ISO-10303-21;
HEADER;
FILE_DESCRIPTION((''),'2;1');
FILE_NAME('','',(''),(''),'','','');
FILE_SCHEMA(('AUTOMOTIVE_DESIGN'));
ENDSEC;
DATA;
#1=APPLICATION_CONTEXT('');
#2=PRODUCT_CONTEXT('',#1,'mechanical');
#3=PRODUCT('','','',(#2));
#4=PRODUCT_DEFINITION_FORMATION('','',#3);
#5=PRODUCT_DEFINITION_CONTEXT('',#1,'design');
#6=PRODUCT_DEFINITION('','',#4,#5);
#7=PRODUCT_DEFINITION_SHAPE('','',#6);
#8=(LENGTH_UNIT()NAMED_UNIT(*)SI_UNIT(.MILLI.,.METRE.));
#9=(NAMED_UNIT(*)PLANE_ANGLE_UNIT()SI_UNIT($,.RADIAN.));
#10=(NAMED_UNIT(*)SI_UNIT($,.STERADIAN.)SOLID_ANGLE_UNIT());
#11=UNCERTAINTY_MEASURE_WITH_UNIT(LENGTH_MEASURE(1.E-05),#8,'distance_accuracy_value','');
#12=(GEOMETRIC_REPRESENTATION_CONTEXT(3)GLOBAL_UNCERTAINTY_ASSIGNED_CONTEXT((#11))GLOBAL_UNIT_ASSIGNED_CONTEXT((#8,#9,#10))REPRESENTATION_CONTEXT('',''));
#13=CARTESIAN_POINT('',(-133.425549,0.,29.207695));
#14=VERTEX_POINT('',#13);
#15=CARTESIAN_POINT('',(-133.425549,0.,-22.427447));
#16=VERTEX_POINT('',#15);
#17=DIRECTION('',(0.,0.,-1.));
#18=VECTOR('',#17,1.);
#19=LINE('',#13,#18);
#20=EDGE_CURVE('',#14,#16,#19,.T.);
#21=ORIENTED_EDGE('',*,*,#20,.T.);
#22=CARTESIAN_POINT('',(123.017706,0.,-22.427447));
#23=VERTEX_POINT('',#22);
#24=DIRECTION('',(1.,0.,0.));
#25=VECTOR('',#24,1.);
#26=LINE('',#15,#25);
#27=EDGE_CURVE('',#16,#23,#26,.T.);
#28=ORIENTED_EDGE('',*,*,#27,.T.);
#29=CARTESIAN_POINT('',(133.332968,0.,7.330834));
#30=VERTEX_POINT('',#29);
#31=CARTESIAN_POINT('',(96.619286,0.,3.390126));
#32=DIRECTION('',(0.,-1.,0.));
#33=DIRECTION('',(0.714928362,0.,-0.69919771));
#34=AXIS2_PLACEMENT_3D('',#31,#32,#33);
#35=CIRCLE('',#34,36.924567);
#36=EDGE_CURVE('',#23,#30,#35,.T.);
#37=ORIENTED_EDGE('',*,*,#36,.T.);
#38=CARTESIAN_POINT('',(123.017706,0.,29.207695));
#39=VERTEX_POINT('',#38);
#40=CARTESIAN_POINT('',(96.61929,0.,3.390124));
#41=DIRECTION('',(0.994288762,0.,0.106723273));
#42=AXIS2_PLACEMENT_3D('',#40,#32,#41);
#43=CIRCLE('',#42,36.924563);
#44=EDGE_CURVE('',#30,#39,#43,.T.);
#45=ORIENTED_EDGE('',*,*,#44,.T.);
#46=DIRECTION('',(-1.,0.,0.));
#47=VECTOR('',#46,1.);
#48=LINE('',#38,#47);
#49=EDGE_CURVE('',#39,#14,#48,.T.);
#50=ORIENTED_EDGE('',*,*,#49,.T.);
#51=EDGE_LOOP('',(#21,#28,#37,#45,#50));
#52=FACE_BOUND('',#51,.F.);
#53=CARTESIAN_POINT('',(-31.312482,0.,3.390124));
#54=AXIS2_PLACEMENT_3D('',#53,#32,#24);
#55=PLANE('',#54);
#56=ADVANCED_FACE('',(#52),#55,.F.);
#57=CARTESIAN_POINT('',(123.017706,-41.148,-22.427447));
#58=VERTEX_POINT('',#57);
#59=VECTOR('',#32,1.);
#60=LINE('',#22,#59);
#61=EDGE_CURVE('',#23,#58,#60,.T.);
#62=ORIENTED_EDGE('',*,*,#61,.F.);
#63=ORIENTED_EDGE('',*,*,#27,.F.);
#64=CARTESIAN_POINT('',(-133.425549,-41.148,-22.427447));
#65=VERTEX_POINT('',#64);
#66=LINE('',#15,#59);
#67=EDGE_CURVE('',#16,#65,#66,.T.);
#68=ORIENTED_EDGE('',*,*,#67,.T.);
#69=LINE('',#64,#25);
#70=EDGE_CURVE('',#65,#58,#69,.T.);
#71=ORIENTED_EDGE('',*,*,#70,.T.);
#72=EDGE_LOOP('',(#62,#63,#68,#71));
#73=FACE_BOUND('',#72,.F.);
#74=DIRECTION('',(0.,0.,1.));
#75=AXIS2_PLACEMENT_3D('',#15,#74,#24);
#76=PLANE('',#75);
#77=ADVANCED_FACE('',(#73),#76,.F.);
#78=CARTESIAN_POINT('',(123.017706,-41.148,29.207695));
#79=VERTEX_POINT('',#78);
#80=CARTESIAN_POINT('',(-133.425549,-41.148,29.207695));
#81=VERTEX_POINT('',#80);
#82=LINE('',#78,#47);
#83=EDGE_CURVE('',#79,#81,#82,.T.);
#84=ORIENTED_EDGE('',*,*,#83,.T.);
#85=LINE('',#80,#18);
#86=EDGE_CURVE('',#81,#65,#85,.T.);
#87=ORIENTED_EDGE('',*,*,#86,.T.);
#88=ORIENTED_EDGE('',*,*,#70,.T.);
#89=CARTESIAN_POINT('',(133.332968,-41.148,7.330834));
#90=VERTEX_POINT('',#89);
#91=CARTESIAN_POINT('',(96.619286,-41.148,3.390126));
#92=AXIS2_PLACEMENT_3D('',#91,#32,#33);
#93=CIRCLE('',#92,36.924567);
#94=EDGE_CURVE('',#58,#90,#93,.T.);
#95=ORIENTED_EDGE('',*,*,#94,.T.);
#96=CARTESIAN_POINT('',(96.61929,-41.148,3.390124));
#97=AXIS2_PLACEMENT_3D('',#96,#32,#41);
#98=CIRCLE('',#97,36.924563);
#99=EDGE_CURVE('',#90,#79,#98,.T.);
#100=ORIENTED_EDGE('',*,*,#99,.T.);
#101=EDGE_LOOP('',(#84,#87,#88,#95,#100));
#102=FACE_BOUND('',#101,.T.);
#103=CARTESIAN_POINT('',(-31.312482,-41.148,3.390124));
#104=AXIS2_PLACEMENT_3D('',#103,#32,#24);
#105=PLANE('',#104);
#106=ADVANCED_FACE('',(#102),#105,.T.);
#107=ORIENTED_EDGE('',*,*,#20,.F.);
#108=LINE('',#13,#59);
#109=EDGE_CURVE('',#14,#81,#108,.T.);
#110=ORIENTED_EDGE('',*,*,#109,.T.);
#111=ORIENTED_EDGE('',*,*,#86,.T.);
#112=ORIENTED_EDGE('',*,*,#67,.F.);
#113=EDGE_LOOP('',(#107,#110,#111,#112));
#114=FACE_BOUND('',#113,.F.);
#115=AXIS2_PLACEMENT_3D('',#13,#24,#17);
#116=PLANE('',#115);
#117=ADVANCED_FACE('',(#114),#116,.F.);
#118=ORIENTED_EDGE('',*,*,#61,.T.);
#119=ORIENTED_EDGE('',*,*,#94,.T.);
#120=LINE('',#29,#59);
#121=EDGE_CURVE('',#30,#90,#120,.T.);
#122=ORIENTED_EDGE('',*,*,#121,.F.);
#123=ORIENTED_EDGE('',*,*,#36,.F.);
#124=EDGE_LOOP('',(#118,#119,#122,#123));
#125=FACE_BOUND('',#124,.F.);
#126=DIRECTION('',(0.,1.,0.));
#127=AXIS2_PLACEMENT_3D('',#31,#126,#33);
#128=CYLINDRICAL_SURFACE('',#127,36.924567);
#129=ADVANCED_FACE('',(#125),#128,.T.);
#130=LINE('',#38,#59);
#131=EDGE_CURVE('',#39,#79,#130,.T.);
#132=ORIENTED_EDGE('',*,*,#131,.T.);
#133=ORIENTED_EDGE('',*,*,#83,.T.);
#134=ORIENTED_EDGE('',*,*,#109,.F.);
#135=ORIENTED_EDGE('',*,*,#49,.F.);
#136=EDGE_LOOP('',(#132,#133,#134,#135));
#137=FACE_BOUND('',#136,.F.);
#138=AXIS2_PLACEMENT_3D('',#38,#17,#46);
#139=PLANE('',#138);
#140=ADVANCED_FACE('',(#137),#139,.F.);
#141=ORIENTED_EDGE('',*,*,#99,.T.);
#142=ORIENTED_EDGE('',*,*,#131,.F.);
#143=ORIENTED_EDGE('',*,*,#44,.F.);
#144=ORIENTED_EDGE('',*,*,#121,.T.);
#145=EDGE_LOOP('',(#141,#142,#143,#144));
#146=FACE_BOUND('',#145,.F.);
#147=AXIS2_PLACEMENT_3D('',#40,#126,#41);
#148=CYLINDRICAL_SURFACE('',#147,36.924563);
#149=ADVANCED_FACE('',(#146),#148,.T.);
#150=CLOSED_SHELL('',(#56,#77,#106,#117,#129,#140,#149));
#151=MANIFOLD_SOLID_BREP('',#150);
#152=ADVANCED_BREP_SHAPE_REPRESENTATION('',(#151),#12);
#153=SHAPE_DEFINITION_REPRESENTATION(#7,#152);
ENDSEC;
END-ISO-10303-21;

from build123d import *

# Parameters (mm, degrees)
F1_DEPTH = 41.148


with BuildPart() as f1:
    # F0 (on Front) → F1 (new body)
    with BuildSketch(Plane.XZ):
        with BuildLine():
            Line((70.220872, 29.207695), (-133.425549, 29.207695))
            Line((-133.425549, 29.207695), (-133.425549, -22.427447))
            Line((-133.425549, -22.427447), (70.220872, -22.427447))
            ThreePointArc((70.220872, -22.427447), (59.694726, 3.390124), (70.220872, 29.207695))
        make_face()
        with BuildLine():
            Line((123.017706, 29.207695), (70.220872, 29.207695))
            ThreePointArc((70.220872, 29.207695), (59.694726, 3.390124), (70.220872, -22.427447))
            Line((70.220872, -22.427447), (123.017706, -22.427447))
            Line((123.017706, -22.427447), (123.017706, 29.207695))
        make_face()
        with BuildLine():
            ThreePointArc((133.332968, 7.330834), (130.017394, 19.137822), (123.017706, 29.207695))
            Line((123.017706, 29.207695), (123.017706, -22.427447))
            ThreePointArc((123.017706, -22.427447), (131.507295, -8.70328), (133.332968, 7.330834))
        make_face()
    extrude(amount=F1_DEPTH)


solid = f1.part
